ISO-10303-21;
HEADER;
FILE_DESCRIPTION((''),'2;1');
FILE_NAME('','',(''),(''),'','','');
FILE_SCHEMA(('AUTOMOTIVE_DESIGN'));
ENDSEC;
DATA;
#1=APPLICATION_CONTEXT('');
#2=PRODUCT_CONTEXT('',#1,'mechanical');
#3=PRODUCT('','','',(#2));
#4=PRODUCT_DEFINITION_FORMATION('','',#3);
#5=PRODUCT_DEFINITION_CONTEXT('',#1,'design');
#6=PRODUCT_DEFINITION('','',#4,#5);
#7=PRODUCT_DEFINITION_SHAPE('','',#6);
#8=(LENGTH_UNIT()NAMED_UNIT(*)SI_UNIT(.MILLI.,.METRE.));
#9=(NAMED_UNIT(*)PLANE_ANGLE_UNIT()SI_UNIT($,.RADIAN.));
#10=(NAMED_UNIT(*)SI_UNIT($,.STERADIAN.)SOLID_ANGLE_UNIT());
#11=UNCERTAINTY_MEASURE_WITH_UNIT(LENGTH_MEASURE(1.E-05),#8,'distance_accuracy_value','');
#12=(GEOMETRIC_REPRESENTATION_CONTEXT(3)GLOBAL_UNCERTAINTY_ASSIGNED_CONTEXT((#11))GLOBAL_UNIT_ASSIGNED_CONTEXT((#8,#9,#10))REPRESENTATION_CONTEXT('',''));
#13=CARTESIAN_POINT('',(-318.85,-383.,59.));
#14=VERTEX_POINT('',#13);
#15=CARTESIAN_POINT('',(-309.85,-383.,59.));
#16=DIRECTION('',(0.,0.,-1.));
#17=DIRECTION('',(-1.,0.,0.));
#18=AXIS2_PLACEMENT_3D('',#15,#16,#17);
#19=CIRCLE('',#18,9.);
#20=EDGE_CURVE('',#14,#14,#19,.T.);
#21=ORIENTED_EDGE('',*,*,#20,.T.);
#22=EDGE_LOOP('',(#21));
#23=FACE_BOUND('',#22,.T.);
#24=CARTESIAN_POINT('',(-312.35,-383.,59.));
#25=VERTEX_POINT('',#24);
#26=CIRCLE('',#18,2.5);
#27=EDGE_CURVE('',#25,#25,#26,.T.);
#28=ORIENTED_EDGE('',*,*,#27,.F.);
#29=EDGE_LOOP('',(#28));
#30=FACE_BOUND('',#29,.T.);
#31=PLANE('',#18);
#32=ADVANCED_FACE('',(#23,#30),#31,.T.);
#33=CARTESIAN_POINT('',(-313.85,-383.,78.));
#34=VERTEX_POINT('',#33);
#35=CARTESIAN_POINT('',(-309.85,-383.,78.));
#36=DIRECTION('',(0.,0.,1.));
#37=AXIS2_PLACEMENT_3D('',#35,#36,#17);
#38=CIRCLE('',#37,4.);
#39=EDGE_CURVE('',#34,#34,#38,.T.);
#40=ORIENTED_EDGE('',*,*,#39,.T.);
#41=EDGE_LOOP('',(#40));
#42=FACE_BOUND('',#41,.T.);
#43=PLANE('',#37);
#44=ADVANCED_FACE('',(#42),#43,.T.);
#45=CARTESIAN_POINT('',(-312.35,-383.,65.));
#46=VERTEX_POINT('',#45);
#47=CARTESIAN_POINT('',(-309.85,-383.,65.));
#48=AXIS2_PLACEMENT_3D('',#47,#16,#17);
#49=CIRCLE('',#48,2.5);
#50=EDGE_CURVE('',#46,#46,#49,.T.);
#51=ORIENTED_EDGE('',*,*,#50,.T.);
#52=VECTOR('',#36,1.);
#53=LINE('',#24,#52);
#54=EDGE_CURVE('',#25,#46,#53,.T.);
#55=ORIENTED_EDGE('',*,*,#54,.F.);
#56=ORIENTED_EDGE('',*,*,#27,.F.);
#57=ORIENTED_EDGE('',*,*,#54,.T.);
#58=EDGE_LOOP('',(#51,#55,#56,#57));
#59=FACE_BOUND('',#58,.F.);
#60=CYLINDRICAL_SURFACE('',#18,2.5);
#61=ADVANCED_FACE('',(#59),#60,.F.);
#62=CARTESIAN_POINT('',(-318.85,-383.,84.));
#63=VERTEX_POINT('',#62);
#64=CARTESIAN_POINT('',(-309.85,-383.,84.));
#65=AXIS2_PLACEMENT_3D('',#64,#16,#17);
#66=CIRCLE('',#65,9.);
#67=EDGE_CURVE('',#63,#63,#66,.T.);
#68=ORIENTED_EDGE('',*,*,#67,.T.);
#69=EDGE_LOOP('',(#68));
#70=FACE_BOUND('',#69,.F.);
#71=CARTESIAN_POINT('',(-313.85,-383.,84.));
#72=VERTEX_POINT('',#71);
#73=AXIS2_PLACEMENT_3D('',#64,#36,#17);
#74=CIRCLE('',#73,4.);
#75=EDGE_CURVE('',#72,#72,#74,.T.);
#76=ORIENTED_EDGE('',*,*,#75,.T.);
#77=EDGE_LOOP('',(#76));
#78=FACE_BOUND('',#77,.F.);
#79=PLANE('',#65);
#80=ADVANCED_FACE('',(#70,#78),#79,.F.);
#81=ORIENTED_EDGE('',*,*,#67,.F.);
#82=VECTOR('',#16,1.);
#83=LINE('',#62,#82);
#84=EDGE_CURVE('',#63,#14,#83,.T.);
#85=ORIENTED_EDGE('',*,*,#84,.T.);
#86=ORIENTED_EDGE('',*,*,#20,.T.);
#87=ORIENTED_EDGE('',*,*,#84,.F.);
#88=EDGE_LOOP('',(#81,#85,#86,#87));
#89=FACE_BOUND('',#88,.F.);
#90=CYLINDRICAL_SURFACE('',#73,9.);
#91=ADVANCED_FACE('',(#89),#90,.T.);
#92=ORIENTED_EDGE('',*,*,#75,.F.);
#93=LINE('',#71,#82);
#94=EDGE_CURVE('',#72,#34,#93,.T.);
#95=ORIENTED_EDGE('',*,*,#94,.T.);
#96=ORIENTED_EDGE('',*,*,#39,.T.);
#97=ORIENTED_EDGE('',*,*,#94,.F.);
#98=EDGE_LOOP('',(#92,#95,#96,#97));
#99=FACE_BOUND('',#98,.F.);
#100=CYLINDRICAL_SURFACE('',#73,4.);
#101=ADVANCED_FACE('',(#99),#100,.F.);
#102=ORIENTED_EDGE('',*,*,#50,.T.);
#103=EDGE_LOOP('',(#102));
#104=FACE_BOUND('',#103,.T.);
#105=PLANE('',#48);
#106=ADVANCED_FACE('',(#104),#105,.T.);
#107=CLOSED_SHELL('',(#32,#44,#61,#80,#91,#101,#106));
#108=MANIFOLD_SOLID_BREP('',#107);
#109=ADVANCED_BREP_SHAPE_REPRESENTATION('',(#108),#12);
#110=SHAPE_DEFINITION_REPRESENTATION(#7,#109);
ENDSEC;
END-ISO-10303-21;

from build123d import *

# Parameters (mm, degrees)
SKETCH045_R              = 9
PAD027_DEPTH             = 25
SKETCH046_R              = 2.5
POCKET021_DEPTH          = 6
SKETCH047_R              = 4
POCKET022_DEPTH          = 6
CLONE040_PLACEMENT_ANGLE = 180


with BuildPart() as part:
    # Sketch045 → Pad027 (new body)
    with BuildSketch(Plane.XY):
        Circle(SKETCH045_R)
    extrude(amount=PAD027_DEPTH)

    # Sketch046 (on Face3 of Pad027) → Pocket021 (cut)
    with BuildSketch(Plane.XY.offset(25)):
        Circle(SKETCH046_R)
    extrude(amount=-POCKET021_DEPTH, mode=Mode.SUBTRACT)

    # Sketch047 (on Face2 of Pocket021) → Pocket022 (cut)
    with BuildSketch(Plane(origin=(0, 0, 0), x_dir=(1, 0, 0), z_dir=(0, 0, -1))):
        Circle(SKETCH047_R)
    extrude(amount=-POCKET022_DEPTH, mode=Mode.SUBTRACT)


with BuildPart() as part_1:
    # Clone040 placement: moved
    add(part.part.moved(Location((-310, -25, 82))).rotate(Axis((-310, -25, 82), (0, 1, 0)), CLONE040_PLACEMENT_ANGLE))


with BuildPart() as part_2:
    # Clone041 placement: moved
    add(part_1.part.moved(Location((0.15, -358, 2))))


solid = part_2.part
